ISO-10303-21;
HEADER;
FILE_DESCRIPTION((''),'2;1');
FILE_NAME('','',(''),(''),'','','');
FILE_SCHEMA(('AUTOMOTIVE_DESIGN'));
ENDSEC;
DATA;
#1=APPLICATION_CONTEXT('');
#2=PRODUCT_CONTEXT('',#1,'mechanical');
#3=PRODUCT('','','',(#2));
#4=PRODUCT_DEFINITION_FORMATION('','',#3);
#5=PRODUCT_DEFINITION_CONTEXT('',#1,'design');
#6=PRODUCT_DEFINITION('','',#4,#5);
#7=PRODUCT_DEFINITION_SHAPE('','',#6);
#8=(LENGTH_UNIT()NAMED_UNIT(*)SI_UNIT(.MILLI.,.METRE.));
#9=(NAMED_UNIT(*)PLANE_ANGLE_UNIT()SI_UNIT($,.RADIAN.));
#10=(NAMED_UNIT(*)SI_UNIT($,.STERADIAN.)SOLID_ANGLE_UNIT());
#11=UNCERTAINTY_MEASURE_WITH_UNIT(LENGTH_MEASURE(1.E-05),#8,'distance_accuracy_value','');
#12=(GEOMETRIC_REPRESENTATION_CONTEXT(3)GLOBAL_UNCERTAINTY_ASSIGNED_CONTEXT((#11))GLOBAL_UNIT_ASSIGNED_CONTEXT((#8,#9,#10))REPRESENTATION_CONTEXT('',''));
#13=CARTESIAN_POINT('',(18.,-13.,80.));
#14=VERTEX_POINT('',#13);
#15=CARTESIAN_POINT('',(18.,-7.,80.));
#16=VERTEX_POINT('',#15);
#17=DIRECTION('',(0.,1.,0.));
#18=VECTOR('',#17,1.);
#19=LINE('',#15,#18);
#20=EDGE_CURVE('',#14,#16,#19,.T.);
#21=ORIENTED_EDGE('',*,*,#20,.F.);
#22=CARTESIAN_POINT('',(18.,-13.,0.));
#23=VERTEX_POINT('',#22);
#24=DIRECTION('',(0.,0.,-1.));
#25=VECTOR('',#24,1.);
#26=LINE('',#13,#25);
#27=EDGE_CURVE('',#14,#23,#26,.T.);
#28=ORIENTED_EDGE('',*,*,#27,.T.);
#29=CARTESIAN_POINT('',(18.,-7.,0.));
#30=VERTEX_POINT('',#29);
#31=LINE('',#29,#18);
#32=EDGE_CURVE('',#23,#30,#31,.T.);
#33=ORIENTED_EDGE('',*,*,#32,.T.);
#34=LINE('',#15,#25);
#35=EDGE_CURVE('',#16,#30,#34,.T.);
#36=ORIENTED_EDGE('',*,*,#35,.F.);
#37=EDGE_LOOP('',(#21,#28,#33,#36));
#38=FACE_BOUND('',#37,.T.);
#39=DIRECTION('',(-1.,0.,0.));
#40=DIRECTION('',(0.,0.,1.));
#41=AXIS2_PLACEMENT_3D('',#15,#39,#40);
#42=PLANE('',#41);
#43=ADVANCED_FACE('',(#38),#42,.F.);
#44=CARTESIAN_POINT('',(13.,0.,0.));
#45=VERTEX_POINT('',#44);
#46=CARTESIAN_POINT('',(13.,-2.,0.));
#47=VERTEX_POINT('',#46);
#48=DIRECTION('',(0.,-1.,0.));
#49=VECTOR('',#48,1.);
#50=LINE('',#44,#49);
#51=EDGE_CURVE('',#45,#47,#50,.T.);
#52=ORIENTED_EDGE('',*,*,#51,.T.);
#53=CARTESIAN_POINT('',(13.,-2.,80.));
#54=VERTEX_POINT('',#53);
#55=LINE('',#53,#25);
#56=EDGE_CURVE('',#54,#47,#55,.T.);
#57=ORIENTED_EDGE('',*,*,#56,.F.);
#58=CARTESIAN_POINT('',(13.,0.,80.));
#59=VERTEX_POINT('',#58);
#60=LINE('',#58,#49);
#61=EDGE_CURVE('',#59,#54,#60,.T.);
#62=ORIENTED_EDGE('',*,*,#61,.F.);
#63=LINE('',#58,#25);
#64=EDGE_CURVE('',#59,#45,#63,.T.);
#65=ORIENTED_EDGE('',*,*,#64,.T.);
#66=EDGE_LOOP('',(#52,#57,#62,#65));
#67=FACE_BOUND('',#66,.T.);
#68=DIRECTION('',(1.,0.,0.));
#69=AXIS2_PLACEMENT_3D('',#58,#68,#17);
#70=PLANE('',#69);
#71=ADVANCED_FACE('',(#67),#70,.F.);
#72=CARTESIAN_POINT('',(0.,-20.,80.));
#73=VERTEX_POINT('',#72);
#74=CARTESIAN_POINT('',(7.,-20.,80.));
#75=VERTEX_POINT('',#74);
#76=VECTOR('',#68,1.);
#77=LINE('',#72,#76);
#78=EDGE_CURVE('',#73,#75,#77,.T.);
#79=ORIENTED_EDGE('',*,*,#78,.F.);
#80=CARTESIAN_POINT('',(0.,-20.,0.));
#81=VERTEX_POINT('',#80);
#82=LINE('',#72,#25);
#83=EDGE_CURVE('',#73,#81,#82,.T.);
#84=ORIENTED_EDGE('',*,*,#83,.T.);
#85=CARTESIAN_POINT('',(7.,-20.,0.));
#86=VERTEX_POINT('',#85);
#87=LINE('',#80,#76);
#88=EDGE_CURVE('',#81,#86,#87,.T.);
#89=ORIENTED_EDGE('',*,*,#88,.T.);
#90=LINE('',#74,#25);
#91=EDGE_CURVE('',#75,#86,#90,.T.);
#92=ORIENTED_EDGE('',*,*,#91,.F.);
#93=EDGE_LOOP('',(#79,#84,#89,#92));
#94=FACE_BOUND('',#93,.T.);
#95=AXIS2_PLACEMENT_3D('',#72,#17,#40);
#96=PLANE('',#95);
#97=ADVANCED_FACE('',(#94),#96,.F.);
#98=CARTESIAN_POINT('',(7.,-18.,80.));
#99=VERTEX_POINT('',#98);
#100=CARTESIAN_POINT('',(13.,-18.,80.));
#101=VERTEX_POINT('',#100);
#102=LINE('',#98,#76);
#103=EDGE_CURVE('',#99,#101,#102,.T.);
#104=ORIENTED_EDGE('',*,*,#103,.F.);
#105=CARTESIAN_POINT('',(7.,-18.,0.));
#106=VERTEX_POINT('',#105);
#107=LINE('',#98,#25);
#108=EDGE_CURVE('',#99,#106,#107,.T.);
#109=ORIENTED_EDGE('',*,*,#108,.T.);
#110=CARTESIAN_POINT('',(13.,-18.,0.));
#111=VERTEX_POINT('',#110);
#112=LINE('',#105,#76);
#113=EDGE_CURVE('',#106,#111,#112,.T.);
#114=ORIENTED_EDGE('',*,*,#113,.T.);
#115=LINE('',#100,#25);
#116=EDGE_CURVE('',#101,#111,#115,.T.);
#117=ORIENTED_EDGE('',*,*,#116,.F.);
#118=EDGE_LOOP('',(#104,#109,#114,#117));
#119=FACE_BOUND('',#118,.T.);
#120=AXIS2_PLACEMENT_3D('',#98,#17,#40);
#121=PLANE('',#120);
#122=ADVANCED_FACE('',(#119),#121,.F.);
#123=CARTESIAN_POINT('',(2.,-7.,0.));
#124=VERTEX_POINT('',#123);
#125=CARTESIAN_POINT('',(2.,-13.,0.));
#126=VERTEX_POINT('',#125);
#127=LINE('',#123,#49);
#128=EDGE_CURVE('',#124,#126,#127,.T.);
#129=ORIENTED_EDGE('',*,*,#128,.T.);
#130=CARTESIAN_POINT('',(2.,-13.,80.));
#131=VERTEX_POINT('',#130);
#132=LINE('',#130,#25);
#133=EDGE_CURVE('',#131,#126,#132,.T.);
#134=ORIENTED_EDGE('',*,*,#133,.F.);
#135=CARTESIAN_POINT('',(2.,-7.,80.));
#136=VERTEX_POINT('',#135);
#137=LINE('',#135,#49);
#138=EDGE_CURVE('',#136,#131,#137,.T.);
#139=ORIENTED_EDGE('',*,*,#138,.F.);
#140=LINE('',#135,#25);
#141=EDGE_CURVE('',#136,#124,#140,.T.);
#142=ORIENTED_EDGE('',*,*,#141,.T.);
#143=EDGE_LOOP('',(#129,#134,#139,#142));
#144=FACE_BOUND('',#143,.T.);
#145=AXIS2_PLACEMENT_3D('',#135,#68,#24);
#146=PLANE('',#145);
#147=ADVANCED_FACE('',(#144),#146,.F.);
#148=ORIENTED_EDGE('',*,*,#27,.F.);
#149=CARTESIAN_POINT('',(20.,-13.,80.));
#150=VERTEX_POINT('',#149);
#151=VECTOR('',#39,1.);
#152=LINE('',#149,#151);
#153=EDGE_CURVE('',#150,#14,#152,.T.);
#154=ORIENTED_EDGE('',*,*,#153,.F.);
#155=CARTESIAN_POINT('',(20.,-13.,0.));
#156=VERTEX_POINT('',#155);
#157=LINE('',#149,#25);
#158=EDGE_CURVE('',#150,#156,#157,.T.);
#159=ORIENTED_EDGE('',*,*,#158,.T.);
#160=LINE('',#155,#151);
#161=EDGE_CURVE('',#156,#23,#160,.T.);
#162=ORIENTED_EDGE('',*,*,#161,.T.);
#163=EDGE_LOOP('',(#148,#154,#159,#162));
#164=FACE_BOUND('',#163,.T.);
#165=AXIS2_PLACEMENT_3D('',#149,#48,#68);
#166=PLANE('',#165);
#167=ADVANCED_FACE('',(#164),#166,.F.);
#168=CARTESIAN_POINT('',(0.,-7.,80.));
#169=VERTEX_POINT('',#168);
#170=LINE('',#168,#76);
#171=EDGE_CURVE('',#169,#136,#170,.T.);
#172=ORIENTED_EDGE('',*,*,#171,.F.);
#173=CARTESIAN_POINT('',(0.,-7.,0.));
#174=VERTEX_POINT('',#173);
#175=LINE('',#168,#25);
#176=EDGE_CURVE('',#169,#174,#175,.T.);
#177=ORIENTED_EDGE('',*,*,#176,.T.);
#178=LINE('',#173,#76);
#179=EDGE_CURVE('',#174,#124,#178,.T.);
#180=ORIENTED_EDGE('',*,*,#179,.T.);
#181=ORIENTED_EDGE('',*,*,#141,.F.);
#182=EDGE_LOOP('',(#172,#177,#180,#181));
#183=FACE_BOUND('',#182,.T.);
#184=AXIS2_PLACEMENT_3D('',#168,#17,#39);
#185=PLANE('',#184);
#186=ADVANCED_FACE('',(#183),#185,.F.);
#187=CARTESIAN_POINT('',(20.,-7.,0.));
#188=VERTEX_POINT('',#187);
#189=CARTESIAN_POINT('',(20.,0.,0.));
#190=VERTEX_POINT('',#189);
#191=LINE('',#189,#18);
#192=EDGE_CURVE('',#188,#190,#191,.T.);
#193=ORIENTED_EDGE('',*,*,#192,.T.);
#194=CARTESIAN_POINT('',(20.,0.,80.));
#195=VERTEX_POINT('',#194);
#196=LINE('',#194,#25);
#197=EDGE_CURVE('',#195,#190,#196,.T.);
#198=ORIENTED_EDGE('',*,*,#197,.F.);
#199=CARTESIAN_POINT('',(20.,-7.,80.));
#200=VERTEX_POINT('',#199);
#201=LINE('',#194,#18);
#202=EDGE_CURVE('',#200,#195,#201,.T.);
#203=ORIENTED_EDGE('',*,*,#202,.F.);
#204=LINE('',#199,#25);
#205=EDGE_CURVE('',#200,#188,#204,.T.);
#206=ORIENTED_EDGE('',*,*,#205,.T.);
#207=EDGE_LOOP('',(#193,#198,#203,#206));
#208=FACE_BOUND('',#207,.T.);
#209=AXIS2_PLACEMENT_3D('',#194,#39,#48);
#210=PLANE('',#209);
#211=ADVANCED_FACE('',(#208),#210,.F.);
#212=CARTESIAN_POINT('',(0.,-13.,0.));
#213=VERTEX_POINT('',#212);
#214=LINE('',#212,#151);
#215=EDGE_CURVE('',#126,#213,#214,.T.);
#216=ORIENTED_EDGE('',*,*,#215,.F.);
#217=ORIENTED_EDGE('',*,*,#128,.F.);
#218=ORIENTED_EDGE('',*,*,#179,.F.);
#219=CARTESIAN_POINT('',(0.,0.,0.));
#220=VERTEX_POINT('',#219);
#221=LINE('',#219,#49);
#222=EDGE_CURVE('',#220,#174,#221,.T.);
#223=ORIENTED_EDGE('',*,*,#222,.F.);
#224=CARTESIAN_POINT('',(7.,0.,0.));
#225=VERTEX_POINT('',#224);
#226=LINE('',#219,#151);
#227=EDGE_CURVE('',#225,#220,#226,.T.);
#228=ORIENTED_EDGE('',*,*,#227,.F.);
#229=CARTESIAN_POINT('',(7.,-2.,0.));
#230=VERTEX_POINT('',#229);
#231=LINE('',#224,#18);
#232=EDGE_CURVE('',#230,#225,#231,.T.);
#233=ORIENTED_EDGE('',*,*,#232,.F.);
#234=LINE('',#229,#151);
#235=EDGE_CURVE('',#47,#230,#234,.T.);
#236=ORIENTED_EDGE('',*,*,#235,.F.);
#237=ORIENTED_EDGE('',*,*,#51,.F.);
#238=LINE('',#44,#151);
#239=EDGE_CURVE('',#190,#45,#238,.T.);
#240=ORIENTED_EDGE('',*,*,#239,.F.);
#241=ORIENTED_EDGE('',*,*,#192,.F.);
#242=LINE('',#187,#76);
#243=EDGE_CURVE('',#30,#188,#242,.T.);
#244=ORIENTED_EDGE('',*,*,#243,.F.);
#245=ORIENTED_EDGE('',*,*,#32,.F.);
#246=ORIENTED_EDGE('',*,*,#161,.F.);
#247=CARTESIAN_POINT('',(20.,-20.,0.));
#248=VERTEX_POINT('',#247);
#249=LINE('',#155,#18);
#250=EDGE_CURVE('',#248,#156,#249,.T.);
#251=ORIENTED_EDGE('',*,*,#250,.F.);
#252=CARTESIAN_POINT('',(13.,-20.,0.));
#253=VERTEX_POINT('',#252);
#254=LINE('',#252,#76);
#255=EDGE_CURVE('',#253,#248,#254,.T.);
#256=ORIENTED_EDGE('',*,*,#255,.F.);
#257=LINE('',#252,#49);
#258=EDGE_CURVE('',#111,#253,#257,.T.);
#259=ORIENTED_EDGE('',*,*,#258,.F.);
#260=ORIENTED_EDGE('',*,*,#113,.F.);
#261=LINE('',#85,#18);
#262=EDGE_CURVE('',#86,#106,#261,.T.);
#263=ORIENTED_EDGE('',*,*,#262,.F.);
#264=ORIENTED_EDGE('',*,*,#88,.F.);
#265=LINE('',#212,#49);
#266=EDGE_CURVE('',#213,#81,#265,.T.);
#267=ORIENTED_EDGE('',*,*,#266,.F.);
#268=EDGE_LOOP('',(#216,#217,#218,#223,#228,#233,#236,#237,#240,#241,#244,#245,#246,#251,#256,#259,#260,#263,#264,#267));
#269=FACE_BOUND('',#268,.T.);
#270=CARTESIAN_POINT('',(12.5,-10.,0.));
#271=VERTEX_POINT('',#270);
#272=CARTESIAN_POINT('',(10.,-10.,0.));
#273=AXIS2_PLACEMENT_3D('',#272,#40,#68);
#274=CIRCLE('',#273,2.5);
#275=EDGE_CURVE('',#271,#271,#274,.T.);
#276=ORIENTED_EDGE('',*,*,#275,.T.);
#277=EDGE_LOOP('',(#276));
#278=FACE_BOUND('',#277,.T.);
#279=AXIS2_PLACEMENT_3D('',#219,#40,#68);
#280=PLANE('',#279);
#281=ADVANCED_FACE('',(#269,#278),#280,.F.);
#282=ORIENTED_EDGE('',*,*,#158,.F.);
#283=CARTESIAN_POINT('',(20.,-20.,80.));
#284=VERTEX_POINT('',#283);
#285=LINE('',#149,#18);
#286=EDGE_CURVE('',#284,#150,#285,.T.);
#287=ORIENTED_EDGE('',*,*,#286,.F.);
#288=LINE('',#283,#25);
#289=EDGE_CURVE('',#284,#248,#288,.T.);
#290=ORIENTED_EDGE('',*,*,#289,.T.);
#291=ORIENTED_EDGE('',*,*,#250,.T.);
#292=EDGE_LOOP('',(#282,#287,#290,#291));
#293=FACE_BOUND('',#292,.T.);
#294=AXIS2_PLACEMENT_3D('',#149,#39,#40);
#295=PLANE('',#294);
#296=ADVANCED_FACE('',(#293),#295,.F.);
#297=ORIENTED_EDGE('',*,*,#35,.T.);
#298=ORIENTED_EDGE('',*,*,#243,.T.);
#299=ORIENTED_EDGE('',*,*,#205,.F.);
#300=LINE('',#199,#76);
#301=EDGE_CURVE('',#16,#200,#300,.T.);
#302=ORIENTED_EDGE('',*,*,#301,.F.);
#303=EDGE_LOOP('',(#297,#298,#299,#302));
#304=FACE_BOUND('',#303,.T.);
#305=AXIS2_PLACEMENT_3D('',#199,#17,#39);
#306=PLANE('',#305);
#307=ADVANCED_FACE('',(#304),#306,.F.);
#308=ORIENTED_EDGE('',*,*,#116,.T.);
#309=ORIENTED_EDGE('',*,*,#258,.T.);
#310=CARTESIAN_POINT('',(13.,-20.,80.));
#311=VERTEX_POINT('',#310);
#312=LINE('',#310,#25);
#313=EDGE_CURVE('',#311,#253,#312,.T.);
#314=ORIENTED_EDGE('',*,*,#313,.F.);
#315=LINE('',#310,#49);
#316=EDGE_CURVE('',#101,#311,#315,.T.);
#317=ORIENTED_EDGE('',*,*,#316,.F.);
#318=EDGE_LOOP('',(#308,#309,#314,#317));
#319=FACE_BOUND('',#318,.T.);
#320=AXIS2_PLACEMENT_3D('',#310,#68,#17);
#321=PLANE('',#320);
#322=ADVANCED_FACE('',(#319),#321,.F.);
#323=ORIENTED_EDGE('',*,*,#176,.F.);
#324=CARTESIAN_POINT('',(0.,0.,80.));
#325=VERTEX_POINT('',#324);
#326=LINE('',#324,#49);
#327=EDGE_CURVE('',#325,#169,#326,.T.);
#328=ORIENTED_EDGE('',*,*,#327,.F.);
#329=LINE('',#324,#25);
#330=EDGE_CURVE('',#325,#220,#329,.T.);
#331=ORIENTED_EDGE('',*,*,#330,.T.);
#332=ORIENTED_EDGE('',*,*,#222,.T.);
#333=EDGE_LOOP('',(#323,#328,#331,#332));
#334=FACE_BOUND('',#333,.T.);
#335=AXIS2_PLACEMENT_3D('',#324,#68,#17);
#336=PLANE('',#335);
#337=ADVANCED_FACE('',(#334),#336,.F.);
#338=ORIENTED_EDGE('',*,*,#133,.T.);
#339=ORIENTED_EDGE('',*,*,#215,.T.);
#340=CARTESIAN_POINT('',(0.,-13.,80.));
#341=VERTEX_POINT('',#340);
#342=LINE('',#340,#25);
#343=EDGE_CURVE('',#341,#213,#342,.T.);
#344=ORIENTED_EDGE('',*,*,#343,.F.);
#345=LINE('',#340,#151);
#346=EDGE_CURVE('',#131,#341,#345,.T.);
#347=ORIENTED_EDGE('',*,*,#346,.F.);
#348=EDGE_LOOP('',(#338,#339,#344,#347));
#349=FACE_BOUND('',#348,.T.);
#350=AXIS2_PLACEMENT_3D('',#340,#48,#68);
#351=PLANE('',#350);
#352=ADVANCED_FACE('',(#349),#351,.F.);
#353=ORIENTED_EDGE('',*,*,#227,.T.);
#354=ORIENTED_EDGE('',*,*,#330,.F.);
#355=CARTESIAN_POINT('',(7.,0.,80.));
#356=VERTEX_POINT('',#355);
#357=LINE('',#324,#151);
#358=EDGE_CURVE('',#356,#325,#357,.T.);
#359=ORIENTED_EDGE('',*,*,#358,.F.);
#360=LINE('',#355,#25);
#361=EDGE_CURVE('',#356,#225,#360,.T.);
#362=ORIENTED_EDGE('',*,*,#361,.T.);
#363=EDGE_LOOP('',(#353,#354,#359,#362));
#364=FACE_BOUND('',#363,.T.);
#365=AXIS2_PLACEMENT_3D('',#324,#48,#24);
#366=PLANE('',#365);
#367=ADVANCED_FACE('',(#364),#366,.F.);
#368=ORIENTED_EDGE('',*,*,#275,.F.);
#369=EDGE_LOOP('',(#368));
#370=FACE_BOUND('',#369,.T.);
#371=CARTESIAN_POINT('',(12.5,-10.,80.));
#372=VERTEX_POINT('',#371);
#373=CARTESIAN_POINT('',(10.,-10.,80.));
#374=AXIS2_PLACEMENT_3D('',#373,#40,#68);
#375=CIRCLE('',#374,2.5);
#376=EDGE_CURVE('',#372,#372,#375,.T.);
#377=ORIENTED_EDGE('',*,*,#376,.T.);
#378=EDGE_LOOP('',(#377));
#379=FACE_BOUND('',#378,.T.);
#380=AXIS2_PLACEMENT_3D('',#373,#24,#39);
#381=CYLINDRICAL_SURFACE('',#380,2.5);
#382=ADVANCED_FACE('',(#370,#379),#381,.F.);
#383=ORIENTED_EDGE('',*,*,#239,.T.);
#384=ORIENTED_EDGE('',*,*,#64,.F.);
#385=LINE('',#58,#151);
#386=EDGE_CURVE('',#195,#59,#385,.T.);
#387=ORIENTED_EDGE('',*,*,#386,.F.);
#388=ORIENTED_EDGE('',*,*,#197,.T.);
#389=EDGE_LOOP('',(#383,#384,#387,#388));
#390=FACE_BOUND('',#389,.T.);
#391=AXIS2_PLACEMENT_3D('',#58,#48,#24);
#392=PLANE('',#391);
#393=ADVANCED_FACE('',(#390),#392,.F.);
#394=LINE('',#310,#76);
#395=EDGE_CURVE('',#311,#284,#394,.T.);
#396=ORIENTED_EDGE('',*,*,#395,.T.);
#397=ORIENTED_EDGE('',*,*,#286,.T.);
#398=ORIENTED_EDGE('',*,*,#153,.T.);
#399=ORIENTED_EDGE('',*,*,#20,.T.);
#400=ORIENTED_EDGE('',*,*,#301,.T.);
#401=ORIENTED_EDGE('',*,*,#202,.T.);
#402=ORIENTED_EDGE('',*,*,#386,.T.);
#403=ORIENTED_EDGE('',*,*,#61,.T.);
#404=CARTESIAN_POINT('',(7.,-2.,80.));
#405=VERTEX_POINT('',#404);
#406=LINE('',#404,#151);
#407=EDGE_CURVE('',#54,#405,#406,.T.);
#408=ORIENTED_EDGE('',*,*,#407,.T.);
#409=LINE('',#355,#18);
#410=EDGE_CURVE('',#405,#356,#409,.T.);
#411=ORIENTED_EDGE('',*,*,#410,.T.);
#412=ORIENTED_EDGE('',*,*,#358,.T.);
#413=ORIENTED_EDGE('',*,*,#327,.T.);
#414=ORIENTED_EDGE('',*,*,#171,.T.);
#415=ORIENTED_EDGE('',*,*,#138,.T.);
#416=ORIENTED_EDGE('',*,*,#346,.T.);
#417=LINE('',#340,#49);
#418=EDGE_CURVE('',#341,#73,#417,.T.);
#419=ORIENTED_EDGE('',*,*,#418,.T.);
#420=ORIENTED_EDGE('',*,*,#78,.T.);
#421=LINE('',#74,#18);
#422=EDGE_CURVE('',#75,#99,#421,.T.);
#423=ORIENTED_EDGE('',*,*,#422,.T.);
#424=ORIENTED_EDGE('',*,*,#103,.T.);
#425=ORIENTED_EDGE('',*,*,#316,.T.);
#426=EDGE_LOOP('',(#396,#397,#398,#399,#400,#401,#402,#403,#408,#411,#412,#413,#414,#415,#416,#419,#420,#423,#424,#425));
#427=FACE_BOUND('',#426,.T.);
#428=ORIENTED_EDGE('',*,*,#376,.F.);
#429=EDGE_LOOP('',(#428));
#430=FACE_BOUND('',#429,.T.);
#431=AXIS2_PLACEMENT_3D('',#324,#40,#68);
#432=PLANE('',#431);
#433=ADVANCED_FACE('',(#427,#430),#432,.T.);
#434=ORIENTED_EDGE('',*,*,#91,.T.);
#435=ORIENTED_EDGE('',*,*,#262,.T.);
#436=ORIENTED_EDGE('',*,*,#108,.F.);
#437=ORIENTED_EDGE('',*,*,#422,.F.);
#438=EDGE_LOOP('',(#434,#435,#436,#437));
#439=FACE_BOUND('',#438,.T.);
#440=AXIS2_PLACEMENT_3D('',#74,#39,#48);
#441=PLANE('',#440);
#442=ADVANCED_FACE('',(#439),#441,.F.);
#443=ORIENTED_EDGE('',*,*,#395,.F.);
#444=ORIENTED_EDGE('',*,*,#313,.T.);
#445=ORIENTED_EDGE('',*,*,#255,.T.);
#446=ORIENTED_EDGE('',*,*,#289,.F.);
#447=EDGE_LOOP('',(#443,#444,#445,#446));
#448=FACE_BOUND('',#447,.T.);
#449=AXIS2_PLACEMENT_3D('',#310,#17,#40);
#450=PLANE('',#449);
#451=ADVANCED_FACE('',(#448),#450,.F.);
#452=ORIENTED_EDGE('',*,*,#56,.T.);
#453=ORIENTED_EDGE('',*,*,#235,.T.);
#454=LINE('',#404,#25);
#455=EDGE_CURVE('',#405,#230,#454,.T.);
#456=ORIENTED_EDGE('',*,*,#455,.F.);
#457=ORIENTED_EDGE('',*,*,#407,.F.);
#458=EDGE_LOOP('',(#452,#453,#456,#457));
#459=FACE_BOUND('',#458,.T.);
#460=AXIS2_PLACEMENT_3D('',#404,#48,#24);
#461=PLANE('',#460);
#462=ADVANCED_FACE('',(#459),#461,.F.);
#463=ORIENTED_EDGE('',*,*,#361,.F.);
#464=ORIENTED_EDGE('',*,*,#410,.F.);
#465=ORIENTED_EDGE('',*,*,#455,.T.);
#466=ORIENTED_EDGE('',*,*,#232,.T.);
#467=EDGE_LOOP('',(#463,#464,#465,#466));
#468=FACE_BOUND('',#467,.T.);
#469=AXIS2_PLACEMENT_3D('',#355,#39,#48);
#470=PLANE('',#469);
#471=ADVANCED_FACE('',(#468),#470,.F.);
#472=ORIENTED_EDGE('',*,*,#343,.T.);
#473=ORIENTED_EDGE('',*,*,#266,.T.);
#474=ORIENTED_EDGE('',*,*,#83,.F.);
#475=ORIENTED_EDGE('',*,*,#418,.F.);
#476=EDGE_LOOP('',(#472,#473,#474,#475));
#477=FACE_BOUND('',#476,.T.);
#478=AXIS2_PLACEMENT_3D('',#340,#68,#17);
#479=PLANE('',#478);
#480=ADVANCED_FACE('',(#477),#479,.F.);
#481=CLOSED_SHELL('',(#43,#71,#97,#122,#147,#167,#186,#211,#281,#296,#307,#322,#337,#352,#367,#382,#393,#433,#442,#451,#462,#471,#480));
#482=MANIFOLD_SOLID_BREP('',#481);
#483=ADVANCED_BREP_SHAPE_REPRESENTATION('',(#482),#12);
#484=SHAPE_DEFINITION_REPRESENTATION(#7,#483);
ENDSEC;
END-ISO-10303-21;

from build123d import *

# Parameters (mm, degrees)
SKETCH_1_R      = 2.5
EXTRUDE_1_DEPTH = 80


with BuildPart() as part:
    # 草图1 → 凸台-拉伸1 (new body)
    with BuildSketch(Plane.XY):
        Polygon((0, -13), (0, -20), (7, -20), (7, -18), (13, -18), (13, -20), (20, -20), (20, -13), (18, -13), (18, -7), (20, -7), (20, 0), (13, 0), (13, -2), (7, -2), (7, 0), (0, 0), (0, -7), (2, -7), (2, -13), align=None)
        with Locations((10, -10)):
            Circle(SKETCH_1_R, mode=Mode.SUBTRACT)
    extrude(amount=EXTRUDE_1_DEPTH)


solid = part.part
